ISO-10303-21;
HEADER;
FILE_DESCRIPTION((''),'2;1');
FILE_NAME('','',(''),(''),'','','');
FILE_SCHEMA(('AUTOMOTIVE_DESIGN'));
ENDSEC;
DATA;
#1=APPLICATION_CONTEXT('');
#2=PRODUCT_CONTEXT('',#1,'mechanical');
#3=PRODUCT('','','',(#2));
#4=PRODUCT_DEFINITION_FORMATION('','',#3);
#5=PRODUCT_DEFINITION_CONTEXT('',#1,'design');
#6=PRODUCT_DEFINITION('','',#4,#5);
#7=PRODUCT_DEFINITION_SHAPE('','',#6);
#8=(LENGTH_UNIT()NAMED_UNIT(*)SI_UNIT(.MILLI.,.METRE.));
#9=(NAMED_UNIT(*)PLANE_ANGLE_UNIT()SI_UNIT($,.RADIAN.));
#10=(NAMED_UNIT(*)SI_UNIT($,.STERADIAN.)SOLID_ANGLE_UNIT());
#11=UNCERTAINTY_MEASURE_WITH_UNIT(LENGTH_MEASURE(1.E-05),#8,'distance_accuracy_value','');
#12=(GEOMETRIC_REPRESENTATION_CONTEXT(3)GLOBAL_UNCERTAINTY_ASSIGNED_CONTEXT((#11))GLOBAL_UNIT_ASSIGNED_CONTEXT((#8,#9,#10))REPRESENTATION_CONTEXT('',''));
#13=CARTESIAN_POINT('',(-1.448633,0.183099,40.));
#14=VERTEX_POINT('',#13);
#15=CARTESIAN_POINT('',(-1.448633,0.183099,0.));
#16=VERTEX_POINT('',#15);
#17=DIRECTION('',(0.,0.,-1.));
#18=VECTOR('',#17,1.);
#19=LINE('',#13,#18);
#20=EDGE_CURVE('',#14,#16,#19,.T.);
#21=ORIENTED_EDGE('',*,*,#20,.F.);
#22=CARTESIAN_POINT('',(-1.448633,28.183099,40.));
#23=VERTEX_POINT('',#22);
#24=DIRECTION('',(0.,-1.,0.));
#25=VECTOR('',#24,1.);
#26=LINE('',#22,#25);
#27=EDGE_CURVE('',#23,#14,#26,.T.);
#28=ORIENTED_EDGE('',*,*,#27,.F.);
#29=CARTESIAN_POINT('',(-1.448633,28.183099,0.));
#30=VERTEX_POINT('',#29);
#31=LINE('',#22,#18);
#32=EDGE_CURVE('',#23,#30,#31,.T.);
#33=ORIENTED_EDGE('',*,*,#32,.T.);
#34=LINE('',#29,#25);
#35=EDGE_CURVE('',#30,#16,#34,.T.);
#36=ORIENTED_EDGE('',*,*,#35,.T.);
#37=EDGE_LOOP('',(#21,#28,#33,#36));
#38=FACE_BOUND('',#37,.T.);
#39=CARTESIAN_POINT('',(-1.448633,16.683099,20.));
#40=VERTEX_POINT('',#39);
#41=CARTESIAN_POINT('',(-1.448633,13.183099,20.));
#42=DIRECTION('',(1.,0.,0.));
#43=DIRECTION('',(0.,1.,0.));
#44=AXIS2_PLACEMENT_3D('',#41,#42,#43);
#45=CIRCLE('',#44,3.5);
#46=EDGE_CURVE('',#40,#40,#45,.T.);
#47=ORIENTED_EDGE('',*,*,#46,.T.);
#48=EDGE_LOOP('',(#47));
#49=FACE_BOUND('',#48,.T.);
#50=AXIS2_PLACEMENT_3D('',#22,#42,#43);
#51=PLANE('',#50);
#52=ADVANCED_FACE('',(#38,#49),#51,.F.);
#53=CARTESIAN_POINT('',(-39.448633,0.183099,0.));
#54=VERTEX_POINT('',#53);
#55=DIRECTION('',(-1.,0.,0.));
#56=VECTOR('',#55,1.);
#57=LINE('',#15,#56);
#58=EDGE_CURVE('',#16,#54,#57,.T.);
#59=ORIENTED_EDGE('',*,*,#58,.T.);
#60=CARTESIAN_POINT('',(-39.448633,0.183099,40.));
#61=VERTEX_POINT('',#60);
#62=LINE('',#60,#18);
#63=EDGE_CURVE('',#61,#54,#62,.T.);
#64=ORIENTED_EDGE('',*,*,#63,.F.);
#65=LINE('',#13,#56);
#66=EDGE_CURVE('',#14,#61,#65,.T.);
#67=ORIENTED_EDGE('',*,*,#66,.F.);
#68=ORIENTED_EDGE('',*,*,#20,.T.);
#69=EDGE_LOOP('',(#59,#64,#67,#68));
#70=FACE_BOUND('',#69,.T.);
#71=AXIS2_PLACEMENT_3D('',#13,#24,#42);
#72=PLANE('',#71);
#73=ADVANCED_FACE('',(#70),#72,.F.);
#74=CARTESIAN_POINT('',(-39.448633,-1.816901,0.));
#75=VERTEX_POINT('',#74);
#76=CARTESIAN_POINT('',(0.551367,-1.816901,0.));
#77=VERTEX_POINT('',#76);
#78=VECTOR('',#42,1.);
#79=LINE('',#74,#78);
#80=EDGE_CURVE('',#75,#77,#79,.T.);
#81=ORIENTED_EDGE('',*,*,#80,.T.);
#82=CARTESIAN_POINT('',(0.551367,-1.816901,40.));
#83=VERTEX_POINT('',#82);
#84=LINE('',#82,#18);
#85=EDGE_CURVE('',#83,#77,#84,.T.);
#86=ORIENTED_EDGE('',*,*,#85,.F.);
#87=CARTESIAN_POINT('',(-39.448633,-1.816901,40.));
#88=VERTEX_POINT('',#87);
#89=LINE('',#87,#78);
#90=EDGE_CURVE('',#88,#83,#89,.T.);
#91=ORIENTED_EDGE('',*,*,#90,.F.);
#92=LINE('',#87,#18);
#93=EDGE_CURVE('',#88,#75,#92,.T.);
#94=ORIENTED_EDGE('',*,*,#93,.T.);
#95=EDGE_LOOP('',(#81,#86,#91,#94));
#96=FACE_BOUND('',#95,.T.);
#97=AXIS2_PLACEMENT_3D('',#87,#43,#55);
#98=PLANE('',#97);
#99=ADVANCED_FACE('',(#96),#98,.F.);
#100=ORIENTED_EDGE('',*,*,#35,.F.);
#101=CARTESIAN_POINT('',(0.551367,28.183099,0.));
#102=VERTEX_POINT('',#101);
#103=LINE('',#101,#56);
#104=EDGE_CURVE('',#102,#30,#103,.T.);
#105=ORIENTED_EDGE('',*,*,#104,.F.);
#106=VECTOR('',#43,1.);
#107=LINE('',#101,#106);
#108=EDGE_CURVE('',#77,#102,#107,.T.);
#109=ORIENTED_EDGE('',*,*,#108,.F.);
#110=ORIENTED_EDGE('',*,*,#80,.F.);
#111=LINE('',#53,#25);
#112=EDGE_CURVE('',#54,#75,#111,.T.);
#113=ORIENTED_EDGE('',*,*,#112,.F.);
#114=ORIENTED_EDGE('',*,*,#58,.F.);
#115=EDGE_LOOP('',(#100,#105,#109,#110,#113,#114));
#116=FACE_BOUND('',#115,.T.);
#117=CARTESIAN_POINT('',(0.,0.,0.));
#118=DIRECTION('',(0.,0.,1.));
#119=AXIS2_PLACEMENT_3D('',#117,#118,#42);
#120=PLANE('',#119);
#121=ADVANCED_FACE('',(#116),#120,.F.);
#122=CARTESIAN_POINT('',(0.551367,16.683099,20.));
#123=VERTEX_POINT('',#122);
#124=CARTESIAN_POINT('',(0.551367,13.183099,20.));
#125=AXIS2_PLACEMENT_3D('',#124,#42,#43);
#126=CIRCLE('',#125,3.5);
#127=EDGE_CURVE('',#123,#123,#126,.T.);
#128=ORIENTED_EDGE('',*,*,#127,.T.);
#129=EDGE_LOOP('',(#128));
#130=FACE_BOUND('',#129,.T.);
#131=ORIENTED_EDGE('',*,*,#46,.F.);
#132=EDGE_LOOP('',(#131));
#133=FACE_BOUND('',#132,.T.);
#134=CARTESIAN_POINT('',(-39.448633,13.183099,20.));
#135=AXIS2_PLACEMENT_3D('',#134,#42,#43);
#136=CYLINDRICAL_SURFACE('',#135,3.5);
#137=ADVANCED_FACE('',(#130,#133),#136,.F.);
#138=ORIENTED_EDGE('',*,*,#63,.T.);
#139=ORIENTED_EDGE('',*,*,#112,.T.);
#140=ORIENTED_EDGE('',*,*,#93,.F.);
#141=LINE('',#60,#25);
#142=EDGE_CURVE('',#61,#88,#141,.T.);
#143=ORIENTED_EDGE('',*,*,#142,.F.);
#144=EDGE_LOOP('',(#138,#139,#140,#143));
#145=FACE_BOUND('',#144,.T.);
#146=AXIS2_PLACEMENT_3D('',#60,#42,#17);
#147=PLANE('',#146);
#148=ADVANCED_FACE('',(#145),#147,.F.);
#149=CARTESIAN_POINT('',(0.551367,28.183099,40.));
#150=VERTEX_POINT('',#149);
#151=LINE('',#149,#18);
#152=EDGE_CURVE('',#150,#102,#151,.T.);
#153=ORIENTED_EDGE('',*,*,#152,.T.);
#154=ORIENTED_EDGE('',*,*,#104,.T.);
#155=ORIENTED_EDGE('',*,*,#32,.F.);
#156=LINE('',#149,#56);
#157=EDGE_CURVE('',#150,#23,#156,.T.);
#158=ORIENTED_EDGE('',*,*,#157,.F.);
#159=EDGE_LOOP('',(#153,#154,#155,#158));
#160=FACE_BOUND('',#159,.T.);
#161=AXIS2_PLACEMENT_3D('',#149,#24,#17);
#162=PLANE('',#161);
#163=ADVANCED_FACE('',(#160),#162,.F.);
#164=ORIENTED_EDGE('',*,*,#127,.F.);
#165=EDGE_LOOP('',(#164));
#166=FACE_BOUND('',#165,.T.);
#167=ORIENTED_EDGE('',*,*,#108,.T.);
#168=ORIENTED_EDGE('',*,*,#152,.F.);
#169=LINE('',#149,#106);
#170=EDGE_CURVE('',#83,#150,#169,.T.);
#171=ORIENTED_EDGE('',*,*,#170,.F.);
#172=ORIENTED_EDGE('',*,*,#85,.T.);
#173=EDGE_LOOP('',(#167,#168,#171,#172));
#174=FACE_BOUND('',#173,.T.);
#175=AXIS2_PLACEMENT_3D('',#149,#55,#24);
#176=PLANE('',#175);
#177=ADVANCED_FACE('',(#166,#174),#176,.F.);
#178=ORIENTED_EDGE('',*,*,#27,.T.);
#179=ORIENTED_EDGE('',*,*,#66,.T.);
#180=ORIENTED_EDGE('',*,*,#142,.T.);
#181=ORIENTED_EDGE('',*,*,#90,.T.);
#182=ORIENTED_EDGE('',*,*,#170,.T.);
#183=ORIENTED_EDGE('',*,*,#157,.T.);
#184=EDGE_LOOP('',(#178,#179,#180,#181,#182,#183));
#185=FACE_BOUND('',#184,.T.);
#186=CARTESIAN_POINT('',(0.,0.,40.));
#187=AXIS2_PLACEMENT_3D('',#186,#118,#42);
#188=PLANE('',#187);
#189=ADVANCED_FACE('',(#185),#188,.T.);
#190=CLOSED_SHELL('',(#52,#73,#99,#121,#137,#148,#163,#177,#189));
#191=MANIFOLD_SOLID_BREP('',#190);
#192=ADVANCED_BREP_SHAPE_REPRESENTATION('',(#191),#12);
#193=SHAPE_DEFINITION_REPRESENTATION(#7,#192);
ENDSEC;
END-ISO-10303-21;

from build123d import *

# Parameters (mm, degrees)
SALIENTE_EXTRUIR1_DEPTH = 40
CROQUIS2_R              = 3.5
CORTAR_EXTRUIR1_DEPTH   = 64.2003722


with BuildPart() as part:
    # Croquis1 → Saliente-Extruir1 (new body)
    with BuildSketch(Plane.XY):
        Polygon((0.551367026, 28.183098592), (0.551367026, -1.816901408), (-39.448632974, -1.816901408), (-39.448632974, 0.183098592), (-1.448632974, 0.183098592), (-1.448632974, 28.183098592), align=None)
    extrude(amount=SALIENTE_EXTRUIR1_DEPTH)

    # Croquis2 → Cortar-Extruir1 (cut, through all)
    with BuildSketch(Plane(origin=(0.551367026, 0, 0), x_dir=(0, 0, -1), z_dir=(1, 0, 0))):
        with Locations(Location((-20, 13.183098592, 0), (0, 0, 90))):
            Circle(CROQUIS2_R)
    extrude(amount=-CORTAR_EXTRUIR1_DEPTH, mode=Mode.SUBTRACT)


solid = part.part
